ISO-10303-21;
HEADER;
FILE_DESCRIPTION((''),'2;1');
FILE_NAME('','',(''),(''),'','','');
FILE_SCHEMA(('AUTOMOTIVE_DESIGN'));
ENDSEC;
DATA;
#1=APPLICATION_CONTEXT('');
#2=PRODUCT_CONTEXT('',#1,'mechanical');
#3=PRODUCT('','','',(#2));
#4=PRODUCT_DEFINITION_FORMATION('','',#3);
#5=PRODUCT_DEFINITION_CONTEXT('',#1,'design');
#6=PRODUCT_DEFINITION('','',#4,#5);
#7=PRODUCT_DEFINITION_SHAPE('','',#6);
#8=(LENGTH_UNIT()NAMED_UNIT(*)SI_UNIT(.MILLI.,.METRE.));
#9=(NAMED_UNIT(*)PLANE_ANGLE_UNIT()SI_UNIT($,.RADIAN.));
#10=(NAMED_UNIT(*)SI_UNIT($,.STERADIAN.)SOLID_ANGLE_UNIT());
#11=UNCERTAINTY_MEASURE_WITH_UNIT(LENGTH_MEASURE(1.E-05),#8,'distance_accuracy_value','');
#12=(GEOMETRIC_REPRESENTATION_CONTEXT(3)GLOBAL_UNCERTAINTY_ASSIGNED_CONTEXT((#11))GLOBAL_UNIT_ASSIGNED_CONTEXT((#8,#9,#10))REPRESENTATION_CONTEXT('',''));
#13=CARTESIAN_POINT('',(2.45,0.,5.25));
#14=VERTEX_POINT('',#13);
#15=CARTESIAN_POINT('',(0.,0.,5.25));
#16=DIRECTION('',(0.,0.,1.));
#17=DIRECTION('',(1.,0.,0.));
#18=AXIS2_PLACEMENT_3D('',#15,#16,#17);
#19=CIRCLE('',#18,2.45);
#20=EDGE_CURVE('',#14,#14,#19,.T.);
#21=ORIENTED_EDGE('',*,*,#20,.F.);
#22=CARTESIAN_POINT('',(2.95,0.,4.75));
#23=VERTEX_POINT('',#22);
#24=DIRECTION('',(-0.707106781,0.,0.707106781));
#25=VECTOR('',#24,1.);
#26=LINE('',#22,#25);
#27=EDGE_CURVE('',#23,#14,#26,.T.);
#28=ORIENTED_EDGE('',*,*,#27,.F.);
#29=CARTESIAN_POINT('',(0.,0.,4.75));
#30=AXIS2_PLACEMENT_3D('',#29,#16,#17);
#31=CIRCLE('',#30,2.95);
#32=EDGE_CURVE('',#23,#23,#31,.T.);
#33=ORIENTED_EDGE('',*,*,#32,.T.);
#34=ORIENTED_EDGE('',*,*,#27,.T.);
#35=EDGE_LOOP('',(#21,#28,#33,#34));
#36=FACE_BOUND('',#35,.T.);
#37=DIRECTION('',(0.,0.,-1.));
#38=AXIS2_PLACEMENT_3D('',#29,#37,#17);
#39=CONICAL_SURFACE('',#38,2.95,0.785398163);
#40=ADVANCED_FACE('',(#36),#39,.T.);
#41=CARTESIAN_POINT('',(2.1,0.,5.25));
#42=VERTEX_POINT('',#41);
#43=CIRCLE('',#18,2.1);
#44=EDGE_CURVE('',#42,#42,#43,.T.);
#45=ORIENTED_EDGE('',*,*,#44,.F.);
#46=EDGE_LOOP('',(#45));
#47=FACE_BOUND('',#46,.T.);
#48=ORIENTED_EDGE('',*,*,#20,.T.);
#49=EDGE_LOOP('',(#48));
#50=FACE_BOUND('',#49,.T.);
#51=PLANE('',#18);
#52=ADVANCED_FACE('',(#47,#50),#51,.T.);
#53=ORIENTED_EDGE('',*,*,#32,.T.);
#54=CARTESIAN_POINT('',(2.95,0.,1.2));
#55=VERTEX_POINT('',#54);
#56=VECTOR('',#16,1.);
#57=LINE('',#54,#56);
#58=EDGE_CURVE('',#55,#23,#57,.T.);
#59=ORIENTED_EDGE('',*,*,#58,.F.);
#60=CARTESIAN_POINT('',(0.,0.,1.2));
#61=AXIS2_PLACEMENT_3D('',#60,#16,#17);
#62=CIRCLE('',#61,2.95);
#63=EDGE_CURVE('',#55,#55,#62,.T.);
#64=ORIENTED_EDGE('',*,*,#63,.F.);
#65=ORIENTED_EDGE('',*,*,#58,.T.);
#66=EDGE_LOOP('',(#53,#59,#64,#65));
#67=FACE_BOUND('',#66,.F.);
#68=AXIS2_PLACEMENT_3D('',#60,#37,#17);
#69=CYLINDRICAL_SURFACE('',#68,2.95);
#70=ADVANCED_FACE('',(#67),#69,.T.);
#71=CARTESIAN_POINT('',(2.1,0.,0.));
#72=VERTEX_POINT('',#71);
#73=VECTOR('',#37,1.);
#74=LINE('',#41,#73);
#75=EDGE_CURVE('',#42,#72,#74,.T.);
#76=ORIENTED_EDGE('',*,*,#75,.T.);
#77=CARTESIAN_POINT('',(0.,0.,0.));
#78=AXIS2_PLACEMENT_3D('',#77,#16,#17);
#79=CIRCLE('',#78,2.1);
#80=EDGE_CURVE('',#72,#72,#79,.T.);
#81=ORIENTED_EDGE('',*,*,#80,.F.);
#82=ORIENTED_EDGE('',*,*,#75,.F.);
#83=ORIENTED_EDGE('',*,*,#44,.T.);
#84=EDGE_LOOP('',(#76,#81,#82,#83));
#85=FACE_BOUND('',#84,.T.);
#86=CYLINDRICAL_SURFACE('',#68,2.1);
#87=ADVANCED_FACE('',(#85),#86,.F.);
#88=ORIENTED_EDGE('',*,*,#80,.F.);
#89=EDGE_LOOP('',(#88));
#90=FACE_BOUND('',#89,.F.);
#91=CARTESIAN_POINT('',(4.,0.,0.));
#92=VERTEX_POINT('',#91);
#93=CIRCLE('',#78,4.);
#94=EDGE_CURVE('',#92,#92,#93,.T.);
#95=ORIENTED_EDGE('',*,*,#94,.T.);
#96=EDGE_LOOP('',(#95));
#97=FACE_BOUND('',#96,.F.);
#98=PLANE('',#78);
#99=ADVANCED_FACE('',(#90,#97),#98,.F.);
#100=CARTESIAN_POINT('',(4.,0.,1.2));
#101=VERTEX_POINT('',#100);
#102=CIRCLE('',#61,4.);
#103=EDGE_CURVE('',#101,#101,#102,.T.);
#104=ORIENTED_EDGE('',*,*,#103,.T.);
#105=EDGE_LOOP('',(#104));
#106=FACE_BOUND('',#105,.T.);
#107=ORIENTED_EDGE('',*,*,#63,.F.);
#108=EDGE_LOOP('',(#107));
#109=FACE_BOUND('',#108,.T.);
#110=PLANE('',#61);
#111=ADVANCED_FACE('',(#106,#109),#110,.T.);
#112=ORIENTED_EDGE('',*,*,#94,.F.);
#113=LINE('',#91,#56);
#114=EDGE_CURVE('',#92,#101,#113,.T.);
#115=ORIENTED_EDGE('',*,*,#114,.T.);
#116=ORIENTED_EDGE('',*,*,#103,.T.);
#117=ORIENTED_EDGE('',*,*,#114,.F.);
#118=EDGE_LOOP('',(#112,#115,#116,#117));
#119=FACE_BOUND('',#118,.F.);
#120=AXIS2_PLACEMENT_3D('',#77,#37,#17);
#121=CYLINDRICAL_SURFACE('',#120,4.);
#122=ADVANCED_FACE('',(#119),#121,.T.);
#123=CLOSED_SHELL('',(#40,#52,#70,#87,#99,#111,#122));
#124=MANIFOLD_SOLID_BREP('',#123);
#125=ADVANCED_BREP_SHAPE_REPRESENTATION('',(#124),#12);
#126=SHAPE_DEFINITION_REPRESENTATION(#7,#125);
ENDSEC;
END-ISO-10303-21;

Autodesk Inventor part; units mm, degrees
ref_plane "YZ Plane" through (0, 0, 0) normal (1, 0, 0) x (0, 1, 0)
ref_plane "XZ Plane" through (0, 0, 0) normal (0, 1, 0) x (-1, 0, 0)
ref_plane "XY Plane" through (0, 0, 0) normal (0, 0, 1) x (1, 0, 0)
sketch "Эскиз1" plane through (0, 0, 0) normal (0, 0, 1) x (1, 0, 0)
  circle A0 centre (0, 0) radius 2.95
  circle A1 centre (0, 0) radius 2.1
  circle A2 centre (0, 0) radius 4
  dimension "d0" = 5.9
  dimension "d1" = 4.2
  dimension "d2" = 8
sketch "Эскиз2" plane through (0, 0, 0) normal (0, 0, 1) x (1, 0, 0)
  circle A0 centre (0, 0) radius 2.95 projected
  circle A1 centre (0, 0) radius 2.1 projected
  circle A2 centre (0, 0) radius 4 projected
extrude "Выдавливание1" add sketch "Эскиз2" along normal blind 1.2 contours A0 | A2
sketch "Эскиз4" plane through (0, 0, 1.2) normal (0, 0, 1) x (1, 0, 0)
  circle A0 centre (0, 0) radius 2.95
  circle A1 centre (0, 0) radius 2.1 projected
  dimension "d7" = 5.9
extrude "Выдавливание3" add sketch "Эскиз4" along normal blind 4.05
chamfer "Фаска1" distance 0.5 angle 45 1 edges at (-2.95, 0, 5.25)
properties part number "middle_gear_fixator"
